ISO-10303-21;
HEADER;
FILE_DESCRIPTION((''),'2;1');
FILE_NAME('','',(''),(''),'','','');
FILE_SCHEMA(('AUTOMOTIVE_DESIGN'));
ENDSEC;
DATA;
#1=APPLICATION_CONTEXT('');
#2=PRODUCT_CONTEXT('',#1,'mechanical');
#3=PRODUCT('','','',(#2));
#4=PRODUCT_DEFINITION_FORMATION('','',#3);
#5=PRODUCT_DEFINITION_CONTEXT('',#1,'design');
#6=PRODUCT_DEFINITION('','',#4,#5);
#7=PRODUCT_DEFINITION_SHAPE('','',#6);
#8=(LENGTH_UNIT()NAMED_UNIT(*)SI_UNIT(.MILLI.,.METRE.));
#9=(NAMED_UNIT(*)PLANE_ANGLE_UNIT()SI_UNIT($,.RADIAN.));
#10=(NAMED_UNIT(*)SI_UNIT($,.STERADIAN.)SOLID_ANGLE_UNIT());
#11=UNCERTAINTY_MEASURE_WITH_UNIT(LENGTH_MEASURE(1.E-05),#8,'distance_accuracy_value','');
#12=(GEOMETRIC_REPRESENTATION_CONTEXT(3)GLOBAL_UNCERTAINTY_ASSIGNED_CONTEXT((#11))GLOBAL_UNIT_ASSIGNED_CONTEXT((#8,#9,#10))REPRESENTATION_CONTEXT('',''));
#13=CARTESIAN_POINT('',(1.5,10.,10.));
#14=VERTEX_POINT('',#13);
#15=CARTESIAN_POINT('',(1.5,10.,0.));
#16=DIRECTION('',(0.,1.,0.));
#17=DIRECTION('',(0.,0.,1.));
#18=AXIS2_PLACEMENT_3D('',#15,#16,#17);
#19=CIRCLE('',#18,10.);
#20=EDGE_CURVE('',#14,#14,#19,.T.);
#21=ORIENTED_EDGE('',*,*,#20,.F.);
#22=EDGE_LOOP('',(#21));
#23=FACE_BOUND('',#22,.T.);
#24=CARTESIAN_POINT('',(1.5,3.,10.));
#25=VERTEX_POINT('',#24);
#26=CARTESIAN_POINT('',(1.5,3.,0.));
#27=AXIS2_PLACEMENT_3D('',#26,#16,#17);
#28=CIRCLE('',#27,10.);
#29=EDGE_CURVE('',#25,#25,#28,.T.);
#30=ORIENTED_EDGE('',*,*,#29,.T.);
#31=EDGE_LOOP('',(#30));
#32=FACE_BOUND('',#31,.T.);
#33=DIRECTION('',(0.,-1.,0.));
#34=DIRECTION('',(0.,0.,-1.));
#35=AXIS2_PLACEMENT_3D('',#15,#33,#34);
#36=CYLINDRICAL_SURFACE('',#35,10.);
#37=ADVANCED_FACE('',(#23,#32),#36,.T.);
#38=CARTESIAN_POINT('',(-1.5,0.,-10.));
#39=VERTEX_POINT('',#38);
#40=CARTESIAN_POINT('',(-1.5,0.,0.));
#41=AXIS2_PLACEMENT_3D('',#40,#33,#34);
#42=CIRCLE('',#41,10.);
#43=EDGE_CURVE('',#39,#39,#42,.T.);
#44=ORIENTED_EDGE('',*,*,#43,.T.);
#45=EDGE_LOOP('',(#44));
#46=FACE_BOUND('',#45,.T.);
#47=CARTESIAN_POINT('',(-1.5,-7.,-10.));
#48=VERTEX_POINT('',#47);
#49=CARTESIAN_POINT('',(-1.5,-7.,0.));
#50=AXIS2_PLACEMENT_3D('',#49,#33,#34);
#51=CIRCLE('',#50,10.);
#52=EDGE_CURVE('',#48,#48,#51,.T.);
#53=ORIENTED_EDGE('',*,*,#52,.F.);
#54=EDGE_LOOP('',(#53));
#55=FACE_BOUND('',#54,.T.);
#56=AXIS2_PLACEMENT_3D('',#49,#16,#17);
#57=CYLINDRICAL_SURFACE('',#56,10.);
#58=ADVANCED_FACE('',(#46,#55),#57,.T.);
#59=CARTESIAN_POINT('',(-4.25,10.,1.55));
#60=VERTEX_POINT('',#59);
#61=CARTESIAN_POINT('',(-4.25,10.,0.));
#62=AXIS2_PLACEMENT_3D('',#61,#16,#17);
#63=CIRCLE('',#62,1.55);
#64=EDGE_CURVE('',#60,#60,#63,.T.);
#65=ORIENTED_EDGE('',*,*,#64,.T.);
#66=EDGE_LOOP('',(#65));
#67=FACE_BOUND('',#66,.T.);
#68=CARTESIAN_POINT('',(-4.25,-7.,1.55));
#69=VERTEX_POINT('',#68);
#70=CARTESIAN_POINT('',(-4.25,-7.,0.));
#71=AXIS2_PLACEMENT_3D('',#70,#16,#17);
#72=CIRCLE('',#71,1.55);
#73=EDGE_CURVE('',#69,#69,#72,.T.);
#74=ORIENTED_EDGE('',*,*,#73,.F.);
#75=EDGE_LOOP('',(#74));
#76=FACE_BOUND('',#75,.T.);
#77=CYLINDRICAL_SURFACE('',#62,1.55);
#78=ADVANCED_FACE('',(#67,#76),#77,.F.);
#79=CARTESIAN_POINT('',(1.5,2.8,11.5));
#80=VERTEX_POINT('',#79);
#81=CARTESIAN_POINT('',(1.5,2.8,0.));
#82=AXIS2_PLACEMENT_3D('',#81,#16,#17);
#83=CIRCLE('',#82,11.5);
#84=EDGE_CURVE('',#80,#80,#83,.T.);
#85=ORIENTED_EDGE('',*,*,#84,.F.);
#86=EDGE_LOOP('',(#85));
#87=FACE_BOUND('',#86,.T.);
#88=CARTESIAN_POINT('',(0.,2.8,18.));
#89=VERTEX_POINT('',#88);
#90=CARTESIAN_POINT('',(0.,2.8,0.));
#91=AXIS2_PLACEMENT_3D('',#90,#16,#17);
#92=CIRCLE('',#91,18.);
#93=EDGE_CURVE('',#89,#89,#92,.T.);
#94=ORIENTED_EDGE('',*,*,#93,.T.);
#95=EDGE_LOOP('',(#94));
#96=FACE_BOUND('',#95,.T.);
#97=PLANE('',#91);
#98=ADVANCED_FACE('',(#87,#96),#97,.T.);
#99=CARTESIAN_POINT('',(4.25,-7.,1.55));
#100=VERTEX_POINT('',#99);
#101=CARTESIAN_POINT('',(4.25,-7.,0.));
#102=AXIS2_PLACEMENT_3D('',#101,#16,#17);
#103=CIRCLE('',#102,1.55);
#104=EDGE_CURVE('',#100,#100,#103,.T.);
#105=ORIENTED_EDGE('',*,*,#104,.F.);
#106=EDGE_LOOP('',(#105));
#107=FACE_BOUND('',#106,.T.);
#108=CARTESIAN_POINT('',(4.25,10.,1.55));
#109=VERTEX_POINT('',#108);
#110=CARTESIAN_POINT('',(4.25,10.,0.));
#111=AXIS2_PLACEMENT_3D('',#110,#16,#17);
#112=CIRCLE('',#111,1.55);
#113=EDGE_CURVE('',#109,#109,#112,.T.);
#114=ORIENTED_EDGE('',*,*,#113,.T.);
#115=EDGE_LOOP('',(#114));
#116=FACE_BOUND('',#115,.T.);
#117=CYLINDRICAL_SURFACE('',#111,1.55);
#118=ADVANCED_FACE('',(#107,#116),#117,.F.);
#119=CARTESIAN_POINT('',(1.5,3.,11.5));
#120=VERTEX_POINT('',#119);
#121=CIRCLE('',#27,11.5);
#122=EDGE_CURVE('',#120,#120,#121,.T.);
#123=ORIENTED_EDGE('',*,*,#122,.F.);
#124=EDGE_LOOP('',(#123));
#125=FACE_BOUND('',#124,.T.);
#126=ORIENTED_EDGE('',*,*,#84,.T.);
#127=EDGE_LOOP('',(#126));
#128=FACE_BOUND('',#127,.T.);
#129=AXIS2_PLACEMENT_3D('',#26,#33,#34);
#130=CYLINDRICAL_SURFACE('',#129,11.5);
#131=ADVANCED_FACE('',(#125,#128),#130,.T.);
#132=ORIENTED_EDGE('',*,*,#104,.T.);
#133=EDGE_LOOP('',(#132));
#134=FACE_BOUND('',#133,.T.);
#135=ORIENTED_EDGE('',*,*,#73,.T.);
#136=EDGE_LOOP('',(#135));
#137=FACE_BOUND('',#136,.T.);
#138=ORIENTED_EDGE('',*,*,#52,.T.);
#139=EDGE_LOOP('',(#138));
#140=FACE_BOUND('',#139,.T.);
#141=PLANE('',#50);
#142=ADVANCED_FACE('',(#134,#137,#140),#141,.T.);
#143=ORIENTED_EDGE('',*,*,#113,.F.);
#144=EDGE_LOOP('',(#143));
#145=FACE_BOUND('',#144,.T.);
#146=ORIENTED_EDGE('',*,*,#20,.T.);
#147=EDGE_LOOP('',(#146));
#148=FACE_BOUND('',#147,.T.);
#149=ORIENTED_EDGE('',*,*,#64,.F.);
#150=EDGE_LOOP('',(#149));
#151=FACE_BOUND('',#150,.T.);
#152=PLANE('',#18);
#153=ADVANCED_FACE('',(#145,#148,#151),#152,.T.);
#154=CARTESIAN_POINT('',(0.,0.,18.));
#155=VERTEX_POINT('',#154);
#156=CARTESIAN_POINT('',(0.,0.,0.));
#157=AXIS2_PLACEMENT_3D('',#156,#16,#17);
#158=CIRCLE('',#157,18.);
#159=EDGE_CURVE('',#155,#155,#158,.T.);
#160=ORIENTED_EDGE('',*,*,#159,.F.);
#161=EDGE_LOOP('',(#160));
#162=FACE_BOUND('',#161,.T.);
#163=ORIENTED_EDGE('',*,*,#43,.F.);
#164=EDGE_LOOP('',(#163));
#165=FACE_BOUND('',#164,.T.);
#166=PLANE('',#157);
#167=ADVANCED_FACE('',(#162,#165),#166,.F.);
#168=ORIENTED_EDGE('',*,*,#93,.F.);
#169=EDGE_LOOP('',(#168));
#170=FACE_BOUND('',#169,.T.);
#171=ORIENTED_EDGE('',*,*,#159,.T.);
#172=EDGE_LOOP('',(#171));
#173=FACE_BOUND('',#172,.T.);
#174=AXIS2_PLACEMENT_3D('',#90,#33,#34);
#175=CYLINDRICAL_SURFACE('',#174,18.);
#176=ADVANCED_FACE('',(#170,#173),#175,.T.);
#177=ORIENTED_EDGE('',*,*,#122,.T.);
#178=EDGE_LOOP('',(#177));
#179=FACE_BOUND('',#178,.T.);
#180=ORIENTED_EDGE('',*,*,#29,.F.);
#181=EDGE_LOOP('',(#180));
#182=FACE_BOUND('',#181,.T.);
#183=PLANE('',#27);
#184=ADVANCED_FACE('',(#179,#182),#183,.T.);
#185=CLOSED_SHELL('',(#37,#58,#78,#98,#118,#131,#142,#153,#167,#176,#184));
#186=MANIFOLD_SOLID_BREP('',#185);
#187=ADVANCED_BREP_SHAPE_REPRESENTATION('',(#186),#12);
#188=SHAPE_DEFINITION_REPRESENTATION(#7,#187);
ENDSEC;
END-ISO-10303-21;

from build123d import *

# Parameters (mm, degrees)
SKIZZE1_R                        = 18
AUFSATZ_LINEAR_AUSTRAGEN1_DEPTH  = 2.8
SKIZZE2_R                        = 11.5
AUFSATZ_LINEAR_AUSTRAGEN2_DEPTH  = 0.2
SKIZZE3_R                        = 10
AUFSATZ_LINEAR_AUSTRAGEN3_DEPTH  = 7
SKIZZE4_R                        = 10
AUFSATZ_LINEAR_AUSTRAGEN4_DEPTH  = 7
F_3_1_3_1_DURCHMESSER_BOHRUNG1_D = 3.1


with BuildPart() as part:
    # Skizze1 → Aufsatz-Linear austragen1 (new body)
    with BuildSketch(Plane(origin=(0, 0, 0), x_dir=(1, 0, 0), z_dir=(0, 1, 0))):
        with Locations(Location((0, 0, 0), (0, 0, 270))):
            Circle(SKIZZE1_R)
    extrude(amount=AUFSATZ_LINEAR_AUSTRAGEN1_DEPTH)

    # Skizze2 → Aufsatz-Linear austragen2 (add)
    with BuildSketch(Plane(origin=(0, 2.8, 0), x_dir=(1, 0, 0), z_dir=(0, 1, 0))):
        with Locations(Location((1.5, 0, 0), (0, 0, 270))):
            Circle(SKIZZE2_R)
    extrude(amount=AUFSATZ_LINEAR_AUSTRAGEN2_DEPTH)

    # Skizze3 → Aufsatz-Linear austragen3 (add)
    with BuildSketch(Plane(origin=(0, 3, 0), x_dir=(1, 0, 0), z_dir=(0, 1, 0))):
        with Locations(Location((1.5, 0, 0), (0, 0, 270))):
            Circle(SKIZZE3_R)
    extrude(amount=AUFSATZ_LINEAR_AUSTRAGEN3_DEPTH)

    # Skizze4 → Aufsatz-Linear austragen4 (add)
    with BuildSketch(Plane.XZ):
        with Locations(Location((-1.5, 0, 0), (0, 0, 270))):
            Circle(SKIZZE4_R)
    extrude(amount=AUFSATZ_LINEAR_AUSTRAGEN4_DEPTH)

    # Ø3.1 (3.1) Durchmesser Bohrung1 (through all)
    with Locations(Plane(origin=(0, 10, 0), x_dir=(1, 0, 0), z_dir=(0, 1, 0))):
        with Locations((4.25, 0), (-4.25, 0)):
            Hole(F_3_1_3_1_DURCHMESSER_BOHRUNG1_D / 2)


solid = part.part
